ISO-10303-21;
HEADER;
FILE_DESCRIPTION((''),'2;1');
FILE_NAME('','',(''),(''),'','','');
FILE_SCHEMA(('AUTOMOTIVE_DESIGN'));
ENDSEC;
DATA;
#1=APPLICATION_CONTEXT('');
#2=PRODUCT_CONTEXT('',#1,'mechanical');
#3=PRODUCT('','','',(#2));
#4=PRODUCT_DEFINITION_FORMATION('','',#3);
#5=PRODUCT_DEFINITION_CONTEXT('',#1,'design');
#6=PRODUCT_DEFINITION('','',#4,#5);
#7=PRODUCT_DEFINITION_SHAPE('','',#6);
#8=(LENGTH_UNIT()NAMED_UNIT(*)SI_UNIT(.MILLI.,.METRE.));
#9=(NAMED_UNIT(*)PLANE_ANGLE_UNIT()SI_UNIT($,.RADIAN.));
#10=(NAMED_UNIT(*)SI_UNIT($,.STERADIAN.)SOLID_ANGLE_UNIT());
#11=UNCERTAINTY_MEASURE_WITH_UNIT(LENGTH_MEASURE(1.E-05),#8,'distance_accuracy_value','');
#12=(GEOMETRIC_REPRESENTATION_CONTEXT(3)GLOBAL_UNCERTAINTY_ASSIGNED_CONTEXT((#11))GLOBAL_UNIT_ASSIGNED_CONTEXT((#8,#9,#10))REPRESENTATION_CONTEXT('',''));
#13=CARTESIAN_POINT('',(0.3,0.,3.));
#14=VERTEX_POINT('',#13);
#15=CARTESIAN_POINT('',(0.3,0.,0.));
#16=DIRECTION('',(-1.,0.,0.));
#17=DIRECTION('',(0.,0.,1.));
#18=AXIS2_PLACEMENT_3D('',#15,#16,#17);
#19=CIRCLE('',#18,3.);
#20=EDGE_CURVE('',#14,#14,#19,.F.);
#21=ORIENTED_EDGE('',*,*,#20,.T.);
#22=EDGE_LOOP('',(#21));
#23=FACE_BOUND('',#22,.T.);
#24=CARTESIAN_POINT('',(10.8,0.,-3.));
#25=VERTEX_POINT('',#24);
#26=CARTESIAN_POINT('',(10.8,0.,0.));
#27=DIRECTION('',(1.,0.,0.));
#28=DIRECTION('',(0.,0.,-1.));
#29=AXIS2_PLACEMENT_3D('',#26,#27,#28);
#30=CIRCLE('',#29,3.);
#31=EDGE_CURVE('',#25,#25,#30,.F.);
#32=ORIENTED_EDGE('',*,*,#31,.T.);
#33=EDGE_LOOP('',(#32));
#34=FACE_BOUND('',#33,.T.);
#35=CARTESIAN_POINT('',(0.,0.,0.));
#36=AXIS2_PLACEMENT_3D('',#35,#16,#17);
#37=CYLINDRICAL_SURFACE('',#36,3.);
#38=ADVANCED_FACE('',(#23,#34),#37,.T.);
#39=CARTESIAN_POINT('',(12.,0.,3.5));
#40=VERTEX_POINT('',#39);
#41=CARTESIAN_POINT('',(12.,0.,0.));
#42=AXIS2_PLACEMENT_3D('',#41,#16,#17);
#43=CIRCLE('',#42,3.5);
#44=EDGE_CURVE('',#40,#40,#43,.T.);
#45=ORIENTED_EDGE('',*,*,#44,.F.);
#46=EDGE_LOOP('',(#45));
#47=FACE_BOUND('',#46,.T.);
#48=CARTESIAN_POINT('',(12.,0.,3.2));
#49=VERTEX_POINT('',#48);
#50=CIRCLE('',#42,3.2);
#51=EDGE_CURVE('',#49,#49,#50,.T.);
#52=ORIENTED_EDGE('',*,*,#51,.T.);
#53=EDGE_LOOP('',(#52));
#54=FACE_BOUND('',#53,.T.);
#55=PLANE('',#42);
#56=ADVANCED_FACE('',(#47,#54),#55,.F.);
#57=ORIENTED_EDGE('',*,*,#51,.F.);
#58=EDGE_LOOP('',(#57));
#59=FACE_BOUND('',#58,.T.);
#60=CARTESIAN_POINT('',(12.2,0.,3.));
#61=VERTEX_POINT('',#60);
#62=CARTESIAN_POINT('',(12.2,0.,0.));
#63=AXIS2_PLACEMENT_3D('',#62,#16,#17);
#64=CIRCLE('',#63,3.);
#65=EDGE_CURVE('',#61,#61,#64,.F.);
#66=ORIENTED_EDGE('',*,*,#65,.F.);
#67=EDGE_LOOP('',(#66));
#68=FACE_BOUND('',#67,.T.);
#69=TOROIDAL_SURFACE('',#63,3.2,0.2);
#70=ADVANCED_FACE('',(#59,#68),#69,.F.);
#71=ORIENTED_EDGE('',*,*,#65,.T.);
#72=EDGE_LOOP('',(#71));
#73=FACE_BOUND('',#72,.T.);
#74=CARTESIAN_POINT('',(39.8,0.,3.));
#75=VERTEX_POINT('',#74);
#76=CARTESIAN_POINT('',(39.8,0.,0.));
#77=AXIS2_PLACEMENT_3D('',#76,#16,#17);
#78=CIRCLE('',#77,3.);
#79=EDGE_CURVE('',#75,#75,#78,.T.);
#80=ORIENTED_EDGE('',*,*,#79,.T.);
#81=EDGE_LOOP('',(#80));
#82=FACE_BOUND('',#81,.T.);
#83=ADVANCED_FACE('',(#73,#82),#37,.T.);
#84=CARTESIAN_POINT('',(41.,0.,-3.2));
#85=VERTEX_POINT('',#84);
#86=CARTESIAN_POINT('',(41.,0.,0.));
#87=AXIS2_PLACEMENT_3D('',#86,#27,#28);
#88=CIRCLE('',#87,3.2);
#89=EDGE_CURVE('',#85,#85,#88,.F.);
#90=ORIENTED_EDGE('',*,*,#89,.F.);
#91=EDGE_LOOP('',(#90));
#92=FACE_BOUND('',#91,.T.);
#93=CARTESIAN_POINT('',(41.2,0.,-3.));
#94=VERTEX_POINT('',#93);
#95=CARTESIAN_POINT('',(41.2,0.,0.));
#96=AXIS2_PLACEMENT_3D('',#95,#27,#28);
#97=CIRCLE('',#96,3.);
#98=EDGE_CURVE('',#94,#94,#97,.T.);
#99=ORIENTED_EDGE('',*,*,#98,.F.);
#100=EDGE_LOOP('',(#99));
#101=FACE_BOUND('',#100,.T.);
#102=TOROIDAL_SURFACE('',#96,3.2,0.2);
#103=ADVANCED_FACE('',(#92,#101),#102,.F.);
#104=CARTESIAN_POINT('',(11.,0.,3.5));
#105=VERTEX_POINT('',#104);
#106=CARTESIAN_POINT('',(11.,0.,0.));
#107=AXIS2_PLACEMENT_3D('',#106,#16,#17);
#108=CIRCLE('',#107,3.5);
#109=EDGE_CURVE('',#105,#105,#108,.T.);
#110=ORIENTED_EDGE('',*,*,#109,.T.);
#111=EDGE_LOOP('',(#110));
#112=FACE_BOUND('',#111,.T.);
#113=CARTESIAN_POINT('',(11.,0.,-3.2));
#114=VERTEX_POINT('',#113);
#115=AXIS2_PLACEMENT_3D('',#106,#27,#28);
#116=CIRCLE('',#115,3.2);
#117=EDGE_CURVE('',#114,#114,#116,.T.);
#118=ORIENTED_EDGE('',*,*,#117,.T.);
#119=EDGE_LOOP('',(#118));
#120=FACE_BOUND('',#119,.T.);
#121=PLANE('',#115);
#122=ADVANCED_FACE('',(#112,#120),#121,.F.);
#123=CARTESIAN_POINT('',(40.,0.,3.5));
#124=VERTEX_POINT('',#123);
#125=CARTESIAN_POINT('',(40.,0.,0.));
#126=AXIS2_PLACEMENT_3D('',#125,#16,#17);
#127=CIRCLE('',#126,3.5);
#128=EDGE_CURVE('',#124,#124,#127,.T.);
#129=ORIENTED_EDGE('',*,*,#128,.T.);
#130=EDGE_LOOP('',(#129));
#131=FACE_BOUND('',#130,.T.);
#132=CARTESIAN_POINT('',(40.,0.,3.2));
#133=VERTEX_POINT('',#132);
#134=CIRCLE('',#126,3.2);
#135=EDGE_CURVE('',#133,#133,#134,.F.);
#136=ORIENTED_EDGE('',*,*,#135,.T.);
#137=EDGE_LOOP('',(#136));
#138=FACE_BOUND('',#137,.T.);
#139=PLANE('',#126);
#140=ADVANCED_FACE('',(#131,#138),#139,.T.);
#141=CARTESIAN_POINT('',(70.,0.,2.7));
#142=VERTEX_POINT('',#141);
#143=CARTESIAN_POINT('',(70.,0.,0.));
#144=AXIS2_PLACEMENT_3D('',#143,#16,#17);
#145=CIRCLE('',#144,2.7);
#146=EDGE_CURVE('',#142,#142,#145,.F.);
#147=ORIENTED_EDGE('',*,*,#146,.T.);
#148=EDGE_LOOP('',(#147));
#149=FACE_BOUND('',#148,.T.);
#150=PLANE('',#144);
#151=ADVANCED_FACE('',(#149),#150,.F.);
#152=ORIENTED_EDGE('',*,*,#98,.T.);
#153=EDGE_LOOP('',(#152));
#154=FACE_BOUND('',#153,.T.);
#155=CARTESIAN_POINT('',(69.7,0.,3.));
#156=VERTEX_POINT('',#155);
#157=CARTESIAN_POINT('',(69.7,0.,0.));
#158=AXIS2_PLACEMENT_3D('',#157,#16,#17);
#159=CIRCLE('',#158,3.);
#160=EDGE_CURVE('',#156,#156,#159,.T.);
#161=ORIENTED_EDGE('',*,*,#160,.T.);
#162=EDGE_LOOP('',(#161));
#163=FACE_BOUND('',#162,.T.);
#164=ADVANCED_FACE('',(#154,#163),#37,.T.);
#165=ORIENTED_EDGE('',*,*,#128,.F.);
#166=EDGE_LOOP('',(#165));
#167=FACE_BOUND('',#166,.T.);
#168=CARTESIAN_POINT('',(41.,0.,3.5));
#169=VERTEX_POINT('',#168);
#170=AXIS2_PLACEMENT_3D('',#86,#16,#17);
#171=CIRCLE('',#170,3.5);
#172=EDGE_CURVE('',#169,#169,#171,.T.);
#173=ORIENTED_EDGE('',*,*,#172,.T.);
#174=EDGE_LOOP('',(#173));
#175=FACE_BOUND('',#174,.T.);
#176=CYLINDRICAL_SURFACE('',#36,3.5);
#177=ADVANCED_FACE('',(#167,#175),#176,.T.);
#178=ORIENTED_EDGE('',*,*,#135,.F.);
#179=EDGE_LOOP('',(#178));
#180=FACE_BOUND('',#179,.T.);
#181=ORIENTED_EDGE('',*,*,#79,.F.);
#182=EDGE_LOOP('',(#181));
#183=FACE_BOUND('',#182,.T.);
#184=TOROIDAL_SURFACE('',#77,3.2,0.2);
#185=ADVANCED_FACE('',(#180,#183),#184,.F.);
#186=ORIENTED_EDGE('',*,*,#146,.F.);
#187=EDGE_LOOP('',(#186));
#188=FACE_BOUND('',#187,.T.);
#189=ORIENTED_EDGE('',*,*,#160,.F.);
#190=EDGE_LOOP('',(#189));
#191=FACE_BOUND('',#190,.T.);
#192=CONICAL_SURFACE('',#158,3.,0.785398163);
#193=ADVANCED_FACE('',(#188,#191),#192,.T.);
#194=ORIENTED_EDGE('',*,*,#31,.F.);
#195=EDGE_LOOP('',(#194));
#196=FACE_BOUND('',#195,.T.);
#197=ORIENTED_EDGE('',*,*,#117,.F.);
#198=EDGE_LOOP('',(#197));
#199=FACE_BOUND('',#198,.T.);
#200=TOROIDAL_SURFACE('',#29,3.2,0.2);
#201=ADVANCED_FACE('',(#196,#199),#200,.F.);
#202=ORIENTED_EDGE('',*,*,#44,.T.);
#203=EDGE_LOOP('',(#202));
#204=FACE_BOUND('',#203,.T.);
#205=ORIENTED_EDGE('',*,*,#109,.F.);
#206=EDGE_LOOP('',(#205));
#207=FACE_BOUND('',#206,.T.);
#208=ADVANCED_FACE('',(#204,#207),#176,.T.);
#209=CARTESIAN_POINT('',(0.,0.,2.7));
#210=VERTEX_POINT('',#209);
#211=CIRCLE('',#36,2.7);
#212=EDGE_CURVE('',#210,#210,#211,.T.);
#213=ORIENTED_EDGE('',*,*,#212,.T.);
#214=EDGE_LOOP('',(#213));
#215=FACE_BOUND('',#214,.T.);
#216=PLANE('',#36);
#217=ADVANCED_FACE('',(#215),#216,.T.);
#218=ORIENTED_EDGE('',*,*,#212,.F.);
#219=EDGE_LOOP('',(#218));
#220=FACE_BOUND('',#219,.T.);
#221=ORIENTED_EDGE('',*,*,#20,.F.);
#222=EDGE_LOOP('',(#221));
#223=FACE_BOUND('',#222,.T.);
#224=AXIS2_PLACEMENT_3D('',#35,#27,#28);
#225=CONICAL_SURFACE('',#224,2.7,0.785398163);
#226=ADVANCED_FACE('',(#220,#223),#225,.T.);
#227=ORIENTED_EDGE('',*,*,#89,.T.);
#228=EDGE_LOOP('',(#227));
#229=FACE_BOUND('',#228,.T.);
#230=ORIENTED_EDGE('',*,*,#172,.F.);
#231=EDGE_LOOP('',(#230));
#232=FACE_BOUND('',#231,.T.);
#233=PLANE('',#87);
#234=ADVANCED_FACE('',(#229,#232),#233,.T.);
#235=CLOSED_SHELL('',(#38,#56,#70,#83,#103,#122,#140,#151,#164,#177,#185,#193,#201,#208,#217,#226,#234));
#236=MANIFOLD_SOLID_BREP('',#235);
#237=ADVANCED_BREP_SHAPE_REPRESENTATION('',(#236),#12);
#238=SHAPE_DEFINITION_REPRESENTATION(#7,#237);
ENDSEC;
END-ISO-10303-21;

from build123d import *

# Parameters (mm, degrees)
SKETCH1_W     = 18
SKETCH1_H     = 3
SKETCH1_W_2   = 2
SKETCH1_W_3   = 10
SKETCH1_W_4   = 12
FILLET1_R     = 0.2
CHAMFER1_SIZE = 0.3


with BuildPart() as part:
    # Sketch1 → Revolve1 (revolve)
    with BuildSketch(Plane.XY, mode=Mode.PRIVATE) as revolve1_sk:
        Polygon((20, 3), (12, 3), (12, 3.5), (11, 3.5), (11, 3), (0, 3), (0, 0), (20, 0), align=None)
        with Locations((29, 1.5)):
            Rectangle(SKETCH1_W, SKETCH1_H)
        with Locations((39, 1.5)):
            Rectangle(SKETCH1_W_2, SKETCH1_H)
        Polygon((40, 3.5), (40, 3), (40, 0), (48, 0), (48, 3), (41, 3), (41, 3.5), align=None)
        with Locations((53, 1.5)):
            Rectangle(SKETCH1_W_3, SKETCH1_H)
        with Locations((64, 1.5)):
            Rectangle(SKETCH1_W_4, SKETCH1_H)
    revolve(revolve1_sk.sketch.rotate(Axis((0, 0, 0), (1, 0, 0)), 90), axis=Axis((0, 0, 0), (1, 0, 0)))

    # Fillet1
    fillet1_edges = [part.edges().sort_by_distance(p)[0] for p in [
        (11, 0, -3),
        (12, 0, -3),
        (40, 0, -3),
        (41, 0, -3),
    ]]
    fillet(fillet1_edges, radius=FILLET1_R)

    # Chamfer1
    chamfer1_edges = [part.edges().sort_by_distance(p)[0] for p in [
        (0, 0, -3),
        (70, 0, -3),
    ]]
    chamfer(chamfer1_edges, length=CHAMFER1_SIZE)


solid = part.part
